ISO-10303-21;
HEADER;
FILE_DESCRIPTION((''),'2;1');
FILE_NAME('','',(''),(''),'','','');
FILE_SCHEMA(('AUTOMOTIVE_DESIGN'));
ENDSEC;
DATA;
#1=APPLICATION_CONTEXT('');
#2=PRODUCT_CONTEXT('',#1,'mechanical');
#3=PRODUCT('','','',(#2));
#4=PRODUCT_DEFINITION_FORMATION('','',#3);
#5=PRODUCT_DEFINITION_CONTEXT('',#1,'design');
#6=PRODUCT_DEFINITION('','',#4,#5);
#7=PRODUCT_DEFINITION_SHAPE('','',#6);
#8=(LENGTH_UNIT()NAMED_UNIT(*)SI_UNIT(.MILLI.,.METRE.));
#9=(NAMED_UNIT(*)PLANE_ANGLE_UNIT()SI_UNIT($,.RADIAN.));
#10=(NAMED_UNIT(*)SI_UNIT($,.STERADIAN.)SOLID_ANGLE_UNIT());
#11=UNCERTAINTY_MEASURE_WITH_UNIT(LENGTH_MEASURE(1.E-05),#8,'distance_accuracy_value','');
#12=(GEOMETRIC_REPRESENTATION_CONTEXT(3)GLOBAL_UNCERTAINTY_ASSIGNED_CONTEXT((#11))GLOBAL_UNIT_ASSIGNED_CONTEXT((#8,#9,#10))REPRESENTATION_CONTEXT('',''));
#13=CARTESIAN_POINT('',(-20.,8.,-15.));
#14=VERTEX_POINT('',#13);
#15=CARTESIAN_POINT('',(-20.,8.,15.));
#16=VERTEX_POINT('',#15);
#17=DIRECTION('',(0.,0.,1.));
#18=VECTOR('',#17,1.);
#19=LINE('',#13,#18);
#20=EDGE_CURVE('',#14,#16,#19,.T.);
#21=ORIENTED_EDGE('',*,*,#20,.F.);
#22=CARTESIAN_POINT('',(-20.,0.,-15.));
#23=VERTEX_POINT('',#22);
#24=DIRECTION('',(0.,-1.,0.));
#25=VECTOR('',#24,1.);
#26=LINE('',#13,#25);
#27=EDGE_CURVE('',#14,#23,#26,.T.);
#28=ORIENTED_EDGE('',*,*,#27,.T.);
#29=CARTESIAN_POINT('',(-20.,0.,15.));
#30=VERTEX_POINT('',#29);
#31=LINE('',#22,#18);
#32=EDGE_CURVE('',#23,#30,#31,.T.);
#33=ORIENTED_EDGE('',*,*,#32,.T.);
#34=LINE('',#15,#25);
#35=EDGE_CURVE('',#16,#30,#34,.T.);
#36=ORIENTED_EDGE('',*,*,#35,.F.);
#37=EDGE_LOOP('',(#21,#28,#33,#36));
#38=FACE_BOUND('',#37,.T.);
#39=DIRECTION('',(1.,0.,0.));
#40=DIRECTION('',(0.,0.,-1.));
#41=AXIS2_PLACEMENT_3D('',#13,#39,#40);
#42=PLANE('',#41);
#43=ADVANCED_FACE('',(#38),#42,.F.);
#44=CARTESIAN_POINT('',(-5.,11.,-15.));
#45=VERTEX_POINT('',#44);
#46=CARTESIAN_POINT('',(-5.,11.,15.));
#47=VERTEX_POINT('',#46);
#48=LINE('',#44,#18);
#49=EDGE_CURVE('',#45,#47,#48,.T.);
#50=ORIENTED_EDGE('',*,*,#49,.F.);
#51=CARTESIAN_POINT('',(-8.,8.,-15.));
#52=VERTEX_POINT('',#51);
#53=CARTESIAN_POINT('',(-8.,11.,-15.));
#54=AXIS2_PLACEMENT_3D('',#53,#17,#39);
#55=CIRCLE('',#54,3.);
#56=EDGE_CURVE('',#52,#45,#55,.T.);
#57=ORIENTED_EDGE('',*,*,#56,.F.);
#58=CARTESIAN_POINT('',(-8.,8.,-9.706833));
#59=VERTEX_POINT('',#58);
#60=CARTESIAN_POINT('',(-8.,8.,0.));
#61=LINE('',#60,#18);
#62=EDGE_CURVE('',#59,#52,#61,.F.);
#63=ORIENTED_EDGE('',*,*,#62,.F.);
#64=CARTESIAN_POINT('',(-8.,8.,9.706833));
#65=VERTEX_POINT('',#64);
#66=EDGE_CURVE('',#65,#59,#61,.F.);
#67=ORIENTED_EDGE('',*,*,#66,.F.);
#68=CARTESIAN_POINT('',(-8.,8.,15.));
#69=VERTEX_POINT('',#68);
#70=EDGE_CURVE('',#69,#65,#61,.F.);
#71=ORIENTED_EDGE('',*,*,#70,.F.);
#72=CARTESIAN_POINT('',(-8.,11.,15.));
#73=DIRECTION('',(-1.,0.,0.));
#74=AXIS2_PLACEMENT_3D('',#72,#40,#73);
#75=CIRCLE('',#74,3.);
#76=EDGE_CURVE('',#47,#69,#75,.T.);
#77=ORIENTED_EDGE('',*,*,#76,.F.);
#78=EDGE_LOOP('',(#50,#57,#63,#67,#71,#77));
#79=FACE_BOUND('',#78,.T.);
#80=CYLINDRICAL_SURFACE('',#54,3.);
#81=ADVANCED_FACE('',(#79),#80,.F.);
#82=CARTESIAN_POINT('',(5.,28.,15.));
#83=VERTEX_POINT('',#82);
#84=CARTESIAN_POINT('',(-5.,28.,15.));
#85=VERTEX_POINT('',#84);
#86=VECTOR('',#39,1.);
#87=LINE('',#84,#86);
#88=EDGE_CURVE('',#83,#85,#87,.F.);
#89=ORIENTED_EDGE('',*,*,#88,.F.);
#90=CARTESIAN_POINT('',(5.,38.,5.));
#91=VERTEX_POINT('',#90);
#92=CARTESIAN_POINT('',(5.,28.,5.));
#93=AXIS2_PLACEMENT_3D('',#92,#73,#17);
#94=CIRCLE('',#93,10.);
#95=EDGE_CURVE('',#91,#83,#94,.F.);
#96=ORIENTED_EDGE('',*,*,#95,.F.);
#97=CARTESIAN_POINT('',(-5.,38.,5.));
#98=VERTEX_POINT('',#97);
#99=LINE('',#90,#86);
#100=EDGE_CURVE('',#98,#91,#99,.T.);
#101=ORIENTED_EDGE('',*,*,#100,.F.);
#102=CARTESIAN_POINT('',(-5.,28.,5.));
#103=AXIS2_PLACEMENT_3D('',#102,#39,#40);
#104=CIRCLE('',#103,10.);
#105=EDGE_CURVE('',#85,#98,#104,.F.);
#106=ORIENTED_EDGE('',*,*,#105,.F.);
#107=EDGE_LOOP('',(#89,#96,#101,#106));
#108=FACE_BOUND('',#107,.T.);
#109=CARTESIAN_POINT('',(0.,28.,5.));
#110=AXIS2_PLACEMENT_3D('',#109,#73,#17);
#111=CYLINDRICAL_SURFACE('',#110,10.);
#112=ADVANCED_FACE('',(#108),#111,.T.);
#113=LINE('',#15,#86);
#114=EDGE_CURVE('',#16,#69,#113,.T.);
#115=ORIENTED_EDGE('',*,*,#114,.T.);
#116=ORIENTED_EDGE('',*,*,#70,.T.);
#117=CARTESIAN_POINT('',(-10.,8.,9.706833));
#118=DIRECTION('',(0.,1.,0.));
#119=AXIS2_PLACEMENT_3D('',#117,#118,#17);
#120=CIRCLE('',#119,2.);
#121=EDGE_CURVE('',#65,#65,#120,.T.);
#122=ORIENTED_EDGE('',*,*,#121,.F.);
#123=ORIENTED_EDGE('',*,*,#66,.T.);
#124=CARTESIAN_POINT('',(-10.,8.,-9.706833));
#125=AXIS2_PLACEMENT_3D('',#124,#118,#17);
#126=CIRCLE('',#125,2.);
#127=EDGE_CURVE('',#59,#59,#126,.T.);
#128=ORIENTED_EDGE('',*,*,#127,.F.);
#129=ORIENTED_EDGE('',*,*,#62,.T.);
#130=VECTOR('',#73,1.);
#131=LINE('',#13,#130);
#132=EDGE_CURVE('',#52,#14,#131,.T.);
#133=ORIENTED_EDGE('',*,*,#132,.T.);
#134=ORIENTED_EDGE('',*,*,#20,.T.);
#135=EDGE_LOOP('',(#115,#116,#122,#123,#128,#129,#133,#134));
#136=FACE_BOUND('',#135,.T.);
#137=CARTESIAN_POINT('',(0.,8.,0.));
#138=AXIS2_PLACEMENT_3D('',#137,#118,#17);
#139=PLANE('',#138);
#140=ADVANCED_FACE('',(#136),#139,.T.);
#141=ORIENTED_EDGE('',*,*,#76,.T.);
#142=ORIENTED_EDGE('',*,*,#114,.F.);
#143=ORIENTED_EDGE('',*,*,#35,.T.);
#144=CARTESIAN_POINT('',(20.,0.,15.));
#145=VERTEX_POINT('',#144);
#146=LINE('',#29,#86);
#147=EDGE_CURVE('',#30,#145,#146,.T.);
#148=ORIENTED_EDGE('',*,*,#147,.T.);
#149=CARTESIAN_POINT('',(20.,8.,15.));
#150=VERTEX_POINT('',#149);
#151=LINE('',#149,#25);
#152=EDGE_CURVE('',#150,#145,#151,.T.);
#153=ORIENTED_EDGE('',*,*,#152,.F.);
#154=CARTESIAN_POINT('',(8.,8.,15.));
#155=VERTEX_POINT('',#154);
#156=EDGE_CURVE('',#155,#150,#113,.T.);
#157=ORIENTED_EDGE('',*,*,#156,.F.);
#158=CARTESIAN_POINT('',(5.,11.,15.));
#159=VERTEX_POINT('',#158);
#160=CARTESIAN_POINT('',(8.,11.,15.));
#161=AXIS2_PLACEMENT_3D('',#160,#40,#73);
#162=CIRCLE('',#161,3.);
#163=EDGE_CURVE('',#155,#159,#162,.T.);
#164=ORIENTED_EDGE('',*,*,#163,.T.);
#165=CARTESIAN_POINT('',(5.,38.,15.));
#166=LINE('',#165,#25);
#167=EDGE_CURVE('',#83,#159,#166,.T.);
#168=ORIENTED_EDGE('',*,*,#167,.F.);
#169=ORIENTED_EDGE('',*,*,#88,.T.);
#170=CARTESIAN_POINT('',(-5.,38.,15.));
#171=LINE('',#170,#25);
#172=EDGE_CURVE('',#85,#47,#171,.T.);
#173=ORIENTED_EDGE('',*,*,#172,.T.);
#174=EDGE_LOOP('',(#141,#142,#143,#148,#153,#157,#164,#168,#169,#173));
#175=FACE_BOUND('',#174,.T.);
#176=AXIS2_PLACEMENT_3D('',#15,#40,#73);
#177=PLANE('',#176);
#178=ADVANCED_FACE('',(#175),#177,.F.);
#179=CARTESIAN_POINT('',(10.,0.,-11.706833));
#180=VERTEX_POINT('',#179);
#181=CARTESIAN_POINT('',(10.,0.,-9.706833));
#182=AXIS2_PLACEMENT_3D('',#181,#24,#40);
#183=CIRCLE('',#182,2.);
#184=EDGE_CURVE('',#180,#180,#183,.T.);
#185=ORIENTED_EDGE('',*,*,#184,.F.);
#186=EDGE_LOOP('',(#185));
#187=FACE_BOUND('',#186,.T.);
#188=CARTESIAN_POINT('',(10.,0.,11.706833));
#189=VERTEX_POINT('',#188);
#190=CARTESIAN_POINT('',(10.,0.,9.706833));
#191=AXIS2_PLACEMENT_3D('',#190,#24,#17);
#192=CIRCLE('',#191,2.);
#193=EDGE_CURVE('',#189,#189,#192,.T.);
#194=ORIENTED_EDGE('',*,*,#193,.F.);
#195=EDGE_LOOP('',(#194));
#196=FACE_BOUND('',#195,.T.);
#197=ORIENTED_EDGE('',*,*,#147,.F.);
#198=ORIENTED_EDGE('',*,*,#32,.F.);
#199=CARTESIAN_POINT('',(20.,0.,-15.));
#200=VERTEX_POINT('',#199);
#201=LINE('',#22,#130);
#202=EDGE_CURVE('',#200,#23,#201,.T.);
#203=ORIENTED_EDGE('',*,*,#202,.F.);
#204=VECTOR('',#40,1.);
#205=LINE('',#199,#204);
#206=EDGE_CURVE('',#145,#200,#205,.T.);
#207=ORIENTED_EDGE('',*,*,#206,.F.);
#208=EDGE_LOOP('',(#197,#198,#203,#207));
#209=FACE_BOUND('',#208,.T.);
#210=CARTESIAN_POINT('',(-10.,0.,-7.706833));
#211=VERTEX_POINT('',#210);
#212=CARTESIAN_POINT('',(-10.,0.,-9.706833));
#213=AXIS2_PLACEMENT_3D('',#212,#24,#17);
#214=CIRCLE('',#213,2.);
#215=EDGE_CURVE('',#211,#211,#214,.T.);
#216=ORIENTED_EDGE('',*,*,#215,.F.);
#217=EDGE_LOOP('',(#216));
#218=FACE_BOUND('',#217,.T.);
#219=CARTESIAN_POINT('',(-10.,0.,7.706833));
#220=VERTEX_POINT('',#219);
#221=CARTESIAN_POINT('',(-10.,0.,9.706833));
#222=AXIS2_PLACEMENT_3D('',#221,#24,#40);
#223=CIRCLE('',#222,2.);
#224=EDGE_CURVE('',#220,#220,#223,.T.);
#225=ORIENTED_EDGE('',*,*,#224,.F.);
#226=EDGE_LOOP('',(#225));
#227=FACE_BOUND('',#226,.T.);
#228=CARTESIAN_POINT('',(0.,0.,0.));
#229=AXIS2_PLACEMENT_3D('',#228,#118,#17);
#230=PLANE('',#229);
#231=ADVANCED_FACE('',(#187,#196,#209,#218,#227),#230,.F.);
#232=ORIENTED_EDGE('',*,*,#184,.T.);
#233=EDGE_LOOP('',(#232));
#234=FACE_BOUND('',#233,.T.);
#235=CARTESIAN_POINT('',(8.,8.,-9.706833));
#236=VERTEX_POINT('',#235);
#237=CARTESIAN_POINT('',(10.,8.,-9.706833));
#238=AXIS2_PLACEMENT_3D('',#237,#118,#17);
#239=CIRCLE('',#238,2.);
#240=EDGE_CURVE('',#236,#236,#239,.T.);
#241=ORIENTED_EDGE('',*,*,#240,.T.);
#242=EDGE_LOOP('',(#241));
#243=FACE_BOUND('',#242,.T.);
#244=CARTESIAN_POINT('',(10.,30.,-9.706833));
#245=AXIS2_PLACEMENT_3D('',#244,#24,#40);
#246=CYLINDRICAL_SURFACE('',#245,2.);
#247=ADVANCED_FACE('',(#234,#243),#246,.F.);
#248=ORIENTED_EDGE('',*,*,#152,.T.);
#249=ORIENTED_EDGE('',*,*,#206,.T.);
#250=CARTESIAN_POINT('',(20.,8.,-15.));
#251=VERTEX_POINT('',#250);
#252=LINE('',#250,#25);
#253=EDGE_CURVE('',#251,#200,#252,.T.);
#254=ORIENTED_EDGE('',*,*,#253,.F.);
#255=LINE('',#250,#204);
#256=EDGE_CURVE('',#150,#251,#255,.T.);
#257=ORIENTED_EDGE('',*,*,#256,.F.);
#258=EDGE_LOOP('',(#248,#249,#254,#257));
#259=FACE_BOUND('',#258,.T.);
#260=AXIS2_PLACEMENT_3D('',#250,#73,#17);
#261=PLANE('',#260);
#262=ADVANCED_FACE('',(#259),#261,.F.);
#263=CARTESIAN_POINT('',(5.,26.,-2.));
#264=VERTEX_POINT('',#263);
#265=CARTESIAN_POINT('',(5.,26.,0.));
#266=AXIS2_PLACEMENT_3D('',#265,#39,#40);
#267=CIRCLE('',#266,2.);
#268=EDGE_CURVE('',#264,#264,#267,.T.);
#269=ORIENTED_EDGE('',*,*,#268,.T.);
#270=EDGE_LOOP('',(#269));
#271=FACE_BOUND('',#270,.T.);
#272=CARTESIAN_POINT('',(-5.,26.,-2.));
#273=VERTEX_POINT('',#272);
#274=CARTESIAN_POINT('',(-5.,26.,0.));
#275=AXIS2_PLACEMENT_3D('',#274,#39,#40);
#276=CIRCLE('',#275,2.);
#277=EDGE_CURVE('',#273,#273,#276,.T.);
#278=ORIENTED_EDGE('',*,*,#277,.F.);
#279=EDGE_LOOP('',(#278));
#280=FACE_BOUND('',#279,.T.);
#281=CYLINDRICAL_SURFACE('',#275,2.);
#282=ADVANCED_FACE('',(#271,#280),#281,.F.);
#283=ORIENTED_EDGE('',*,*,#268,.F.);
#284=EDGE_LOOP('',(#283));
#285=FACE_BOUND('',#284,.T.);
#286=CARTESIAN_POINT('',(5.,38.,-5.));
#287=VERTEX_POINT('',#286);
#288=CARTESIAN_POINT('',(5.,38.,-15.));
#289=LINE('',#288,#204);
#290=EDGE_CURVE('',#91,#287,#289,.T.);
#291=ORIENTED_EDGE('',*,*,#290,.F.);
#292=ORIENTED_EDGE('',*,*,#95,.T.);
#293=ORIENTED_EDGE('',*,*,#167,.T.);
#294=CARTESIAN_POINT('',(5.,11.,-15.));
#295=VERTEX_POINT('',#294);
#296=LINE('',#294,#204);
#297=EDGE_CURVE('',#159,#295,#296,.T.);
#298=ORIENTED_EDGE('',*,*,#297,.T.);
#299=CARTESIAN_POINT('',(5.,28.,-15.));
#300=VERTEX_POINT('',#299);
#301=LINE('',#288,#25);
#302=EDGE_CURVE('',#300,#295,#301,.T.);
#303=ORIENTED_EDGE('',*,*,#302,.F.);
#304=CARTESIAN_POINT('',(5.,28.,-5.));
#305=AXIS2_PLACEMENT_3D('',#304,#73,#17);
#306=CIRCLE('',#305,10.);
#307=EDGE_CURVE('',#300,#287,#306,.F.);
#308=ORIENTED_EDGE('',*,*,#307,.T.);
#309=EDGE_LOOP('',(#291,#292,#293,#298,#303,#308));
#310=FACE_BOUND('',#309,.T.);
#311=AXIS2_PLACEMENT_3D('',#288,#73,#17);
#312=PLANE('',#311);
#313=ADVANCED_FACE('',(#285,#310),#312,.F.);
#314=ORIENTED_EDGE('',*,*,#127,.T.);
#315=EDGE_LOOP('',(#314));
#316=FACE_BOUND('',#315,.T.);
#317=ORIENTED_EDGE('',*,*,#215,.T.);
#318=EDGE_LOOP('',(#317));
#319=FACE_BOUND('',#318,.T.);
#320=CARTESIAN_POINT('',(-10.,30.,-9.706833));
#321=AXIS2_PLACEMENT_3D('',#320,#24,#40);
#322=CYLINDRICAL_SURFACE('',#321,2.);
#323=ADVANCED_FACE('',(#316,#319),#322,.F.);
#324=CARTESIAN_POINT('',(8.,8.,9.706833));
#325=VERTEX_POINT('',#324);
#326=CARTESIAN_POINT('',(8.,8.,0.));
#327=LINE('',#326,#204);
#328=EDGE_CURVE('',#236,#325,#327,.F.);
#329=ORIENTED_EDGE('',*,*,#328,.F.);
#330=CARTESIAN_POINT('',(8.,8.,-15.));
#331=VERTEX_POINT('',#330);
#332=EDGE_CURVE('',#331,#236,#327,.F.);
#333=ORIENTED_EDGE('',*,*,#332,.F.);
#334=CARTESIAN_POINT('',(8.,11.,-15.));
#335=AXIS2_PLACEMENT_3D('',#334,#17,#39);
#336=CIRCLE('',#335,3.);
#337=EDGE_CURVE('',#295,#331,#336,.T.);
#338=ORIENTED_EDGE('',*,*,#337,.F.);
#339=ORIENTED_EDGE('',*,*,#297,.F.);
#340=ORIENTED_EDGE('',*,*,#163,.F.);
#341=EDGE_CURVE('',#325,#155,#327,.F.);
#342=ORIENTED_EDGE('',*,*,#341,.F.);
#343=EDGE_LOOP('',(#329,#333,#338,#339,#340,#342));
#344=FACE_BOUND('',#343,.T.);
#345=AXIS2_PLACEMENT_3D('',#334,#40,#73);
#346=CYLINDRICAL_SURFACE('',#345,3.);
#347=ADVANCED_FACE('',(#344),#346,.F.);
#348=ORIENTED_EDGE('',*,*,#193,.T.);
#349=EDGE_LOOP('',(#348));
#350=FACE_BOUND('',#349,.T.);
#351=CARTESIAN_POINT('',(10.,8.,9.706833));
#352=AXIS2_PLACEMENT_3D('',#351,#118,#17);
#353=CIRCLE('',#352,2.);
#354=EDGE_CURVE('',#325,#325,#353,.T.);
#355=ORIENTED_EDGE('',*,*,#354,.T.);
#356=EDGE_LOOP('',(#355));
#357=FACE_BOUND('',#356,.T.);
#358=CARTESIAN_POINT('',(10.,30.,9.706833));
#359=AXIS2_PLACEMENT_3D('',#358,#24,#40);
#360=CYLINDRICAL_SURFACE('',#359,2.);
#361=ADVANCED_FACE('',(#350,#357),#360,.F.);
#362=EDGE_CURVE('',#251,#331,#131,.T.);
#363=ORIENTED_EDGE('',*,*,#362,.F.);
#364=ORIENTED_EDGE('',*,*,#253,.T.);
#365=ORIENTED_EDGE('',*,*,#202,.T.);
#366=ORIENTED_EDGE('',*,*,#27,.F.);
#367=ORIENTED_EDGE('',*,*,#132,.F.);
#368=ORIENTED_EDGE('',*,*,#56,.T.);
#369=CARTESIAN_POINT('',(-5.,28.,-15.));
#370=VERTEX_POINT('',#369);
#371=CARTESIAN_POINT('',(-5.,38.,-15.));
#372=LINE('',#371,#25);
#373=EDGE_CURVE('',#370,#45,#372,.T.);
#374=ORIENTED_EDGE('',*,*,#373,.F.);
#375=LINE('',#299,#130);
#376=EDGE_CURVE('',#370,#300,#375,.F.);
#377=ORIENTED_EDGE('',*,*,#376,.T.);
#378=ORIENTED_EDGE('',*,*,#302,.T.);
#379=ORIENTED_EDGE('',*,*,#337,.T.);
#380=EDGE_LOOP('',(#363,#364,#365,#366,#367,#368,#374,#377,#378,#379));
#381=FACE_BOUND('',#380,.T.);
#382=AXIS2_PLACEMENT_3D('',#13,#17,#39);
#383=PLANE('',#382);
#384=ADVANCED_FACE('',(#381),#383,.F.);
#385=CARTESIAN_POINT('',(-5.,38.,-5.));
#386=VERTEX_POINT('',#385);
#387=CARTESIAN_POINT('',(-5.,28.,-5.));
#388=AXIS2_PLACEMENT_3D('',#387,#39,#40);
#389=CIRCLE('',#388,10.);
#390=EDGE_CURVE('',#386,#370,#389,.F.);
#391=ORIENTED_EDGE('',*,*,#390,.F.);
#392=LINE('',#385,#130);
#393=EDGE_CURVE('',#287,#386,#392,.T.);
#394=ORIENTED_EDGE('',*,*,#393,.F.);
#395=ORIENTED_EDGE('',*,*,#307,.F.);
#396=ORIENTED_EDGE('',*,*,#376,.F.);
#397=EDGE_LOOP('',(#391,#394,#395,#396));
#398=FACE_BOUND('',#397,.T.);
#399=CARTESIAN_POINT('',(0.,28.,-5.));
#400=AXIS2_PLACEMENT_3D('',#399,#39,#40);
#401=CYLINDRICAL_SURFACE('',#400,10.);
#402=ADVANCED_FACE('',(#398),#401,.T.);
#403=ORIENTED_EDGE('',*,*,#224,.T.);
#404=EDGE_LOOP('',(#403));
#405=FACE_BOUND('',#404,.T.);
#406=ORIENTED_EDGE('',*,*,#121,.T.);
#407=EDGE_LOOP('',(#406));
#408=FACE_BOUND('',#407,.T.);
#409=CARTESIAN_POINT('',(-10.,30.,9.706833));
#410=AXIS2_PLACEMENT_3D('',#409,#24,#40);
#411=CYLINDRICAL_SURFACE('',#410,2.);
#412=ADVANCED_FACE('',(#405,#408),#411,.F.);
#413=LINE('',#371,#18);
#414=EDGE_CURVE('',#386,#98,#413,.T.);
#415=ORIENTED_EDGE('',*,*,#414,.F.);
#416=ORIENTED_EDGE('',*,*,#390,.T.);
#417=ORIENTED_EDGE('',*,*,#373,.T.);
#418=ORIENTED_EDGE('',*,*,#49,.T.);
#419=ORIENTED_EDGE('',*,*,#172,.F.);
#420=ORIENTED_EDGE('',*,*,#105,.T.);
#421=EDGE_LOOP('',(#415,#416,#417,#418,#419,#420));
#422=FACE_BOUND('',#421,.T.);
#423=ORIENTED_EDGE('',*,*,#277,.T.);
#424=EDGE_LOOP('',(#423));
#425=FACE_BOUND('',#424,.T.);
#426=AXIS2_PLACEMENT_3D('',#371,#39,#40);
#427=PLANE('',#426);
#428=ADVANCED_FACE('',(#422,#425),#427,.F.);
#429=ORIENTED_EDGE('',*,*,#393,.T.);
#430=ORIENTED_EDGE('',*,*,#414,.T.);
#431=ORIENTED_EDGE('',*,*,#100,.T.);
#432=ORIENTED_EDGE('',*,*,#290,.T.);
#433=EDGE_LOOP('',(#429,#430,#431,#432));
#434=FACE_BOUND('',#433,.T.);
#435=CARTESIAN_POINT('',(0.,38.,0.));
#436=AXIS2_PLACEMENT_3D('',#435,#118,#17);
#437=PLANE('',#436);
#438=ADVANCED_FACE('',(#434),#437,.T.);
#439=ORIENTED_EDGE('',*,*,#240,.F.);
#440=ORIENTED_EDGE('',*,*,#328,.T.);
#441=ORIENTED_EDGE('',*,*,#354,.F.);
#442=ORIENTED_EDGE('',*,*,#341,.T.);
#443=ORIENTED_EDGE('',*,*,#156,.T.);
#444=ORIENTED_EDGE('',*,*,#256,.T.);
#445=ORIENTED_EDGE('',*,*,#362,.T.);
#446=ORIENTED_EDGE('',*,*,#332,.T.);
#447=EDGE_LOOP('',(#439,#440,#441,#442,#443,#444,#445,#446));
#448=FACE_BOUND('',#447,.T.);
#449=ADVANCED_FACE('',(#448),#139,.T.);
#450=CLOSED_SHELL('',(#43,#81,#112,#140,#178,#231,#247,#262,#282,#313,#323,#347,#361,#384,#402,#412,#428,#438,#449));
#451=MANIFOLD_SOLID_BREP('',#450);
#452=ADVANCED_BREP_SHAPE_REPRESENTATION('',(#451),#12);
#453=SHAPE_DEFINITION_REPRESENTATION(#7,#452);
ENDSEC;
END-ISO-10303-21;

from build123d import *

# Parameters (mm, degrees)
SKETCH1_W           = 40
SKETCH1_H           = 30
BOSS_EXTRUDE1_DEPTH = 8
SKETCH2_W           = 10
SKETCH2_H           = 30
BOSS_EXTRUDE2_DEPTH = 30
FILLET2_R           = 3
SKETCH3_R           = 2
CUT_EXTRUDE1_DEPTH  = 30
SKETCH4_R           = 2
CUT_EXTRUDE2_DEPTH  = 10
FILLET3_R           = 10


with BuildPart() as part:
    # Sketch1 → Boss-Extrude1 (new body)
    with BuildSketch(Plane(origin=(0, 0, 0), x_dir=(1, 0, 0), z_dir=(0, 1, 0))):
        Rectangle(SKETCH1_W, SKETCH1_H)
    extrude(amount=BOSS_EXTRUDE1_DEPTH)

    # Sketch2 → Boss-Extrude2 (add)
    with BuildSketch(Plane(origin=(0, 8, 0), x_dir=(1, 0, 0), z_dir=(0, 1, 0))):
        Rectangle(SKETCH2_W, SKETCH2_H)
    extrude(amount=BOSS_EXTRUDE2_DEPTH)

    # Fillet2
    fillet2_edges = [part.edges().sort_by_distance(p)[0] for p in [
        (5, 8, 0),
        (-5, 8, 0),
    ]]
    fillet(fillet2_edges, radius=FILLET2_R)

    # Sketch3 → Cut-Extrude1 (cut)
    with BuildSketch(Plane.XZ):
        with Locations(Location((-10, 9.706832571, 0), (0, 0, 270))):
            Circle(SKETCH3_R)
        with Locations(Location((10, 9.706832571, 0), (0, 0, 180))):
            Circle(SKETCH3_R)
        with Locations(Location((10, -9.706832571, 0), (0, 0, 270))):
            Circle(SKETCH3_R)
        with Locations((-10, -9.706832571)):
            Circle(SKETCH3_R)
    extrude(amount=-CUT_EXTRUDE1_DEPTH, mode=Mode.SUBTRACT)

    # Sketch4 → Cut-Extrude2 (cut)
    with BuildSketch(Plane(origin=(5, 0, 0), x_dir=(0, 0, -1), z_dir=(1, 0, 0))):
        with Locations((0, 26)):
            Circle(SKETCH4_R)
    extrude(amount=-CUT_EXTRUDE2_DEPTH, mode=Mode.SUBTRACT)

    # Fillet3
    fillet3_edges = [part.edges().sort_by_distance(p)[0] for p in [
        (0, 38, -15),
        (0, 38, 15),
    ]]
    fillet(fillet3_edges, radius=FILLET3_R)


solid = part.part
